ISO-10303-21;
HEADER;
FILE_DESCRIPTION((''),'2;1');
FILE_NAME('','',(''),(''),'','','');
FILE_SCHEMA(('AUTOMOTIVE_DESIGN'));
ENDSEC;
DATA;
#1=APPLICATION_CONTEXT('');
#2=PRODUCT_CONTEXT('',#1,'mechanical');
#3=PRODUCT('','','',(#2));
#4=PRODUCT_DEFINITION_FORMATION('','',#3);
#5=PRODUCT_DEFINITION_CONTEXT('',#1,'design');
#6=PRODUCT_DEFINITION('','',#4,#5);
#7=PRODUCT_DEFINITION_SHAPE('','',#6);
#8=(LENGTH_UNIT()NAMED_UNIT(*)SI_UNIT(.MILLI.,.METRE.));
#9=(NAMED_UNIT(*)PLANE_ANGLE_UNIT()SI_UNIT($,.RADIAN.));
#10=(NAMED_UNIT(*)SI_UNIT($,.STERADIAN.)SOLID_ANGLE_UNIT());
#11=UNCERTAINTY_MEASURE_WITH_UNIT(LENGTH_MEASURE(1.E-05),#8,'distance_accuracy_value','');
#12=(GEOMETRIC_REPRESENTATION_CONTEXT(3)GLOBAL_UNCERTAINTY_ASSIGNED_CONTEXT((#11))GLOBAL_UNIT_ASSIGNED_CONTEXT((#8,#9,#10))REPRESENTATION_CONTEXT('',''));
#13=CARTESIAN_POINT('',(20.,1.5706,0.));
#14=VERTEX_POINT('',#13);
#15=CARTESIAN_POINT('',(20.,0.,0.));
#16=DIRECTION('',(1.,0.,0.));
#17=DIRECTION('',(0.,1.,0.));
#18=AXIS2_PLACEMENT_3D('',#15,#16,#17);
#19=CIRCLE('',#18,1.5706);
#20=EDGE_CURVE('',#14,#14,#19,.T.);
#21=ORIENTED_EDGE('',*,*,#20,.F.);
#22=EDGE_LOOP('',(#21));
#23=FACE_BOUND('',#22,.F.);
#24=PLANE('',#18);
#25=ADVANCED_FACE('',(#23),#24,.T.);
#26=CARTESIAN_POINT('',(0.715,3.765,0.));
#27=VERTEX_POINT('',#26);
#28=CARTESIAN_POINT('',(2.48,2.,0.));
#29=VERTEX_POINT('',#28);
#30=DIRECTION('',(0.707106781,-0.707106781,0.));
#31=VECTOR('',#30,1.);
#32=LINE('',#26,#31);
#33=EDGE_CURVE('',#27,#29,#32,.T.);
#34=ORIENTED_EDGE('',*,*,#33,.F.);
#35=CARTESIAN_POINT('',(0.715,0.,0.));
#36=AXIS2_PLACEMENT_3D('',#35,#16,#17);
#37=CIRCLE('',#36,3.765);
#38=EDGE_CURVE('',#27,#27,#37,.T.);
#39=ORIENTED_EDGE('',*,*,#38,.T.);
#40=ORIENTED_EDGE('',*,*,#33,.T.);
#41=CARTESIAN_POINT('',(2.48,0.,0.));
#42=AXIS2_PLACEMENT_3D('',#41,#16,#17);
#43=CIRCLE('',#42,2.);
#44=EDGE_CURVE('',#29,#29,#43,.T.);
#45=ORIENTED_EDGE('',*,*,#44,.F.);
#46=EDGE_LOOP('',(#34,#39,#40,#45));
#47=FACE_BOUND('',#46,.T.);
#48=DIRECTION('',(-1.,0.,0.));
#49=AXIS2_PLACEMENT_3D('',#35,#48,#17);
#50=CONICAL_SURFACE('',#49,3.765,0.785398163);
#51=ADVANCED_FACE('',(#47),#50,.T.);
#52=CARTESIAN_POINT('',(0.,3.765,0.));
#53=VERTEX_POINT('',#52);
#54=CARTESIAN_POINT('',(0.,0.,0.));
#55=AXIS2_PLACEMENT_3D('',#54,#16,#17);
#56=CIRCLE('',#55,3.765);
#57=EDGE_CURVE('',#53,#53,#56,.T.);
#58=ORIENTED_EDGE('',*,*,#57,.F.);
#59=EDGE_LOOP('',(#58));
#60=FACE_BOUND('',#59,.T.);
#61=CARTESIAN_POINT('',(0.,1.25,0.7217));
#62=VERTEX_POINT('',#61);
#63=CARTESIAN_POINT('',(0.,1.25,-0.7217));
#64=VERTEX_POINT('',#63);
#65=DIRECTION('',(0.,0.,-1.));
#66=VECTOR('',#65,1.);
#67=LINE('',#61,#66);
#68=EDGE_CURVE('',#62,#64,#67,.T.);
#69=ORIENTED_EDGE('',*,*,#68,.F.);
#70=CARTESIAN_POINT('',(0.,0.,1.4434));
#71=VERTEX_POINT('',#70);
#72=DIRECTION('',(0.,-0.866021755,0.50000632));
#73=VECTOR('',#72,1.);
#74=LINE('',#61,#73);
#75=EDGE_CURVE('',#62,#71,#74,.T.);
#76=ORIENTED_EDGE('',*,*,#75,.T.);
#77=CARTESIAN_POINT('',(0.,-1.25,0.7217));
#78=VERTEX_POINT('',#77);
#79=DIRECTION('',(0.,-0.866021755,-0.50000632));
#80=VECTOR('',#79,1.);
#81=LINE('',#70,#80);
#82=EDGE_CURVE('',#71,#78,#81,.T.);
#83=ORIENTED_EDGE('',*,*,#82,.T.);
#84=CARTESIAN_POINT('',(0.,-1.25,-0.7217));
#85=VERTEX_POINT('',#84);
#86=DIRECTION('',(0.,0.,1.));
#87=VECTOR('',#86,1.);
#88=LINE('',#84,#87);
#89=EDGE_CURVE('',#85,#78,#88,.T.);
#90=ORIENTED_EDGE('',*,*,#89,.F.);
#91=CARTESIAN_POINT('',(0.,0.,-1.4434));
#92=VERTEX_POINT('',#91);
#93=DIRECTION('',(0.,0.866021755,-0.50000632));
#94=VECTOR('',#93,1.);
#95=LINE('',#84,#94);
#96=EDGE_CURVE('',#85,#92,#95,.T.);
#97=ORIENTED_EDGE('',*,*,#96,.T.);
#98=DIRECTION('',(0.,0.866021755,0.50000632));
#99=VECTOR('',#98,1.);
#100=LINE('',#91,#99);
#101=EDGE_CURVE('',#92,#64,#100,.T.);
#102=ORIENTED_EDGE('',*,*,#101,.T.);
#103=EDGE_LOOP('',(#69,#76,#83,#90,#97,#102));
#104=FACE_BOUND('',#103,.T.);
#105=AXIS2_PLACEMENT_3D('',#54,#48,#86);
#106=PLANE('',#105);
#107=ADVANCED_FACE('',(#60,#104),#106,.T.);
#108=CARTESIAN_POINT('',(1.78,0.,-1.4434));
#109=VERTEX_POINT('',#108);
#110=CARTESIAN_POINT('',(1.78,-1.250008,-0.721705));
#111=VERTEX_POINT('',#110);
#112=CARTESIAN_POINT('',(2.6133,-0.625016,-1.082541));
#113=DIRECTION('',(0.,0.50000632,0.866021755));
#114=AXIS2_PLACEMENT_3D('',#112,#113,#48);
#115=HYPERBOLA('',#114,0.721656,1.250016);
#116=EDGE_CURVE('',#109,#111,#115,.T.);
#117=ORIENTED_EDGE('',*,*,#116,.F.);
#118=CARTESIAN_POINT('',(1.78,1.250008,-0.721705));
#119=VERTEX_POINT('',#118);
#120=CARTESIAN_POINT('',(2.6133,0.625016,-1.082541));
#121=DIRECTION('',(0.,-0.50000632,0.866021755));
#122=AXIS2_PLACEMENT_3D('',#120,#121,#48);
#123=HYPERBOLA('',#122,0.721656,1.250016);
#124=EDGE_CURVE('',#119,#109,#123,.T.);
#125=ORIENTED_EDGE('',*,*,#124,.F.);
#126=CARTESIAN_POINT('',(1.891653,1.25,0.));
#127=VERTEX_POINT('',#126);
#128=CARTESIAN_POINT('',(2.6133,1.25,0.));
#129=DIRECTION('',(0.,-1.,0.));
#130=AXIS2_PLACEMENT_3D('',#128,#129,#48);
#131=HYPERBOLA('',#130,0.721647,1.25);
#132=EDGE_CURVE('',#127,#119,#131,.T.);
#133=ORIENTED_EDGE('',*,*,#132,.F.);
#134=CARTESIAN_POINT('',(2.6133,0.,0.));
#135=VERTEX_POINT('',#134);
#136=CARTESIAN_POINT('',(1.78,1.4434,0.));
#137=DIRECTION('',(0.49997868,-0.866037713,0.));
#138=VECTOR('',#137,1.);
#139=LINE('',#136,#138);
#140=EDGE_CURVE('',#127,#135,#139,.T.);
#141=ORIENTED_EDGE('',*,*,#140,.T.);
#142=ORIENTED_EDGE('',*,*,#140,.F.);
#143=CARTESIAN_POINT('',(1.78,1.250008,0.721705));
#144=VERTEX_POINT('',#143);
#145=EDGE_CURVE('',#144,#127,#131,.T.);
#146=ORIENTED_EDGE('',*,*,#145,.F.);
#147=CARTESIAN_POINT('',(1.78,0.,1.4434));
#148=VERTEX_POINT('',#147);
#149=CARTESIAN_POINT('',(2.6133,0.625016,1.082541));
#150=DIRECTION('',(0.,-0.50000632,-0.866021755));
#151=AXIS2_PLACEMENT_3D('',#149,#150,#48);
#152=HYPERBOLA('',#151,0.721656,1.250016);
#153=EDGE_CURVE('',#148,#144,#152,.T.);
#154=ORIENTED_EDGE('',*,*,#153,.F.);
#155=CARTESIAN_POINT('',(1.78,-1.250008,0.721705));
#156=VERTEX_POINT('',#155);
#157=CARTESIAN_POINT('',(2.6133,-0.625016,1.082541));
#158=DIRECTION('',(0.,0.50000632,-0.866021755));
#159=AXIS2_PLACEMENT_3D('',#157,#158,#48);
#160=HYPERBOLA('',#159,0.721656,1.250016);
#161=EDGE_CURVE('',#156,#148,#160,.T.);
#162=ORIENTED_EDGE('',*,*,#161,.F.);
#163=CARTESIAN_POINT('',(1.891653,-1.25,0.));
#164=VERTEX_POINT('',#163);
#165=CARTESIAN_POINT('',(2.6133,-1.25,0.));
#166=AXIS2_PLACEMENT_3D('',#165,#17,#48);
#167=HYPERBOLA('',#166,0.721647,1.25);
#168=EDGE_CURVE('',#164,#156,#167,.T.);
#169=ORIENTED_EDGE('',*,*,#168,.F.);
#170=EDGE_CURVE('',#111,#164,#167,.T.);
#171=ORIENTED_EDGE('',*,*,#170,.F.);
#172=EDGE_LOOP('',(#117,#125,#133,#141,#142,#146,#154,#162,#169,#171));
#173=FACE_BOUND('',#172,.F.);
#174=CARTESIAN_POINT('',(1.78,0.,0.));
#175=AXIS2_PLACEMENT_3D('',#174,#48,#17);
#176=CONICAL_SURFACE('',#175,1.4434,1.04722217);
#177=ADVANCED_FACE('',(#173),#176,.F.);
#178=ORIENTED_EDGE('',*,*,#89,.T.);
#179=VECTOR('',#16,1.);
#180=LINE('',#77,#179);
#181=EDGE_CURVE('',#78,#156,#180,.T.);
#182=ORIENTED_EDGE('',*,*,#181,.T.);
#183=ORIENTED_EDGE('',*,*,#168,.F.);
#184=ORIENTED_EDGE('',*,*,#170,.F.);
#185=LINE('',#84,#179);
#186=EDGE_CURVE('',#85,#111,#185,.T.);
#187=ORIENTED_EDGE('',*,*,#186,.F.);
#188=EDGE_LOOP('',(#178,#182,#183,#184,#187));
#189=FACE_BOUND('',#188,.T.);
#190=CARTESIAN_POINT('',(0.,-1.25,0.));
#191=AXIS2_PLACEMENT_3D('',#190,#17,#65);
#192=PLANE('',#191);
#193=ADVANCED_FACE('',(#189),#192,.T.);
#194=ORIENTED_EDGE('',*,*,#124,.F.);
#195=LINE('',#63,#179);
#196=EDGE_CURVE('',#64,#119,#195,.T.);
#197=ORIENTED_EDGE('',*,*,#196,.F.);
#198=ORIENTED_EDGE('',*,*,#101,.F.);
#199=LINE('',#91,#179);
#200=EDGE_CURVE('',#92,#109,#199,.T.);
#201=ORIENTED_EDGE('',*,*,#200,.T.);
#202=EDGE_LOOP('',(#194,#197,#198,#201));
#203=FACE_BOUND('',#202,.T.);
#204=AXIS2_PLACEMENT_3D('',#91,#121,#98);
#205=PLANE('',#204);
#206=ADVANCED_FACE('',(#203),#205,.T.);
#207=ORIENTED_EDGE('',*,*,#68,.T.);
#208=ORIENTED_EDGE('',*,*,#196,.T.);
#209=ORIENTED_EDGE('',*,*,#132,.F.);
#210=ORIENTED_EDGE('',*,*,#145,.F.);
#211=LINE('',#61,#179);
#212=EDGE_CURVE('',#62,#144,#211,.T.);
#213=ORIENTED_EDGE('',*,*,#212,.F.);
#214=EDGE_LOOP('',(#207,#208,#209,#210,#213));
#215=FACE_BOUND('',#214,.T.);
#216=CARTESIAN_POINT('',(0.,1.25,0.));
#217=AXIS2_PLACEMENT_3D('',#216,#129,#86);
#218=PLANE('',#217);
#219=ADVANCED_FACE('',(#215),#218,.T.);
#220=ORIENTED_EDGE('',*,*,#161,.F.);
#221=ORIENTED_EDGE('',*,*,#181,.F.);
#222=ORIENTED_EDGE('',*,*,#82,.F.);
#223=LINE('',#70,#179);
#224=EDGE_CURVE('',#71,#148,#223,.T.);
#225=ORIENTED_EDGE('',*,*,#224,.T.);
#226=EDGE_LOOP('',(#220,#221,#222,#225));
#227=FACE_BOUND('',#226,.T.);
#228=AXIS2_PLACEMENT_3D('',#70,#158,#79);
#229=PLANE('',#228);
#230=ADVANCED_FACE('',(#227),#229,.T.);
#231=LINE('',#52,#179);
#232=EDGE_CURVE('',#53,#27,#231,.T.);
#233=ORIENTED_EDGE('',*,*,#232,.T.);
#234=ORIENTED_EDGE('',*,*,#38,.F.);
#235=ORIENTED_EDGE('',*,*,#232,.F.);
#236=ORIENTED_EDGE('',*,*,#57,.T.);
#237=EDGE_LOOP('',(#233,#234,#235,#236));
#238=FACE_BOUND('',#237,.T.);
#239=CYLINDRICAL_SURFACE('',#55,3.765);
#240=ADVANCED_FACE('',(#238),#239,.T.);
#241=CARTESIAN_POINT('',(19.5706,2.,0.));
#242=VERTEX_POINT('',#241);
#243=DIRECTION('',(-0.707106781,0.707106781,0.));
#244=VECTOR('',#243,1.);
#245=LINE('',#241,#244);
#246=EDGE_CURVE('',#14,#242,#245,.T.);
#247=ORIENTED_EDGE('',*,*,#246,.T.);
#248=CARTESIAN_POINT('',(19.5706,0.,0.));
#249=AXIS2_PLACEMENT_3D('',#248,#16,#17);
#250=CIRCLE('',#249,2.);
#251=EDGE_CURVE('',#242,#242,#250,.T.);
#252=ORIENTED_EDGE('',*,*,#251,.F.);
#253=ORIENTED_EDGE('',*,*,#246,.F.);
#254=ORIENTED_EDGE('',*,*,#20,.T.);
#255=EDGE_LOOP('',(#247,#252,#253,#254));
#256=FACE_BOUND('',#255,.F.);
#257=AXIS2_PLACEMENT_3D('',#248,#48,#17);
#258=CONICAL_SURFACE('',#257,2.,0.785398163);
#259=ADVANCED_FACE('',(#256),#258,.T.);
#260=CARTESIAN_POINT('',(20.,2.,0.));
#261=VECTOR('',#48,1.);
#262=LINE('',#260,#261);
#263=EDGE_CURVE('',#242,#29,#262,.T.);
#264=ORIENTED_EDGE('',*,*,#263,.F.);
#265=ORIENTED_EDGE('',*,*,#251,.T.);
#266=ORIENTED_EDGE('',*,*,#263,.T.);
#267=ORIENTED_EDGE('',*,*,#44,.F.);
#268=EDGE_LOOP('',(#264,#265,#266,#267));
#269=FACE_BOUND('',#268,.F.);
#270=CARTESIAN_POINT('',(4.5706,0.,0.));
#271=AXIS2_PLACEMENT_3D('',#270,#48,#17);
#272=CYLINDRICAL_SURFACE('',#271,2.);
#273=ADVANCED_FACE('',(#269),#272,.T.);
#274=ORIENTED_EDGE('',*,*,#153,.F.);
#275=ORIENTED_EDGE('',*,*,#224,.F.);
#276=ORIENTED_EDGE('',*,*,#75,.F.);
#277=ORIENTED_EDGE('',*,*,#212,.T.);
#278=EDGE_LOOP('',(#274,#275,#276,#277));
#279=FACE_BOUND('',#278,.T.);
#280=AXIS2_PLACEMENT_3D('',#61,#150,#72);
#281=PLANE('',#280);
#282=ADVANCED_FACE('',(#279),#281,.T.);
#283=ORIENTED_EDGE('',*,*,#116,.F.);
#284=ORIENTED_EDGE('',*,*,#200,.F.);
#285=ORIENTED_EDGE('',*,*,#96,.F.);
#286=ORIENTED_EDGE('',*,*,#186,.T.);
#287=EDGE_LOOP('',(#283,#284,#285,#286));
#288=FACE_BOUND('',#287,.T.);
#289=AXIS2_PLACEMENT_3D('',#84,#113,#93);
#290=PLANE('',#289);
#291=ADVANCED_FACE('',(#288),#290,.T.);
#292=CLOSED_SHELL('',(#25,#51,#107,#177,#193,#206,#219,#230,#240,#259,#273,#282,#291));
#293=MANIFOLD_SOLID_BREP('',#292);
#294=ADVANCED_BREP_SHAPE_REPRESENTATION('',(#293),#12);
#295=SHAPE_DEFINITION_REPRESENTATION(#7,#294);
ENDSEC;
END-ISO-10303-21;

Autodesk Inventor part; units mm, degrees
ref_plane "YZ Plane" through (0, 0, 0) normal (1, 0, 0) x (0, 1, 0)
ref_plane "XZ Plane" through (0, 0, 0) normal (0, 1, 0) x (-1, 0, 0)
sketch "Sketch1" plane through (0, 0, 0) normal (0, 0, 1) x (1, 0, 0)
  line L0 (20, 0) -> (20, 2)
  line L1 (20, 2) -> (5, 2)
  line L2 (5, 2) -> (4.5706, 2)
  line L3 (0, 3.765) -> (0, 1.4434)
  line L4 (0, 1.4434) -> (1.78, 1.4434)
  line L5 (1.78, 1.4434) -> (2.6133, 0)
  line L6 (2.6133, 0) -> (20, 0)
  line L7 (0, 3.765) -> (0.715, 3.765)
  line L8 (0.715, 3.765) -> (2.48, 2)
  line L9 (4.5706, 2) -> (2.48, 2)
  line L10 (5, 2) -> (2.48, 2) construction
  line L11 (2.48, 2) -> (2.48, 2)
  line L12 (-4, 0) -> (24, 0) projected
  line L13 (0, -0.753) -> (0, 4.518) projected
  dimension "d0" = 20
  dimension "d1" = 15
  dimension "d2" = 1.78
  dimension "d3" = 4
  dimension "d6" = 2.48
  dimension "d7" = 45
  dimension "d8" = 2.8868
  dimension "d9" = 60
  dimension "d10" = 7.53
  dimension "d11" = 4
  dimension "d12" = 0.4294
revolve "Body" add sketch "Sketch1" angle 360 about axis through (2.6133, 0, 0) along (1, 0, 0) contours L6 L5 L4 L3 L7 L8 L9 L2 L1 L0
sketch "Sketch2" plane through (0, 0, 0) normal (-1, 0, 0) x (0, 0, 1)
  circle A0 centre (0, 0) radius 1.4434 projected
  line L0 (0, -5.271) -> (0, 5.271) projected
  line L1 (-5.271, 0) -> (5.271, 0) projected
  line L2 (1.4434, 0) -> (0.7217, -1.25)
  line L3 (0.7217, -1.25) -> (-0.7217, -1.25)
  line L4 (-0.7217, -1.25) -> (-1.4434, 0)
  line L5 (-1.4434, 0) -> (-0.7217, 1.25)
  line L6 (-0.7217, 1.25) -> (0.7217, 1.25)
  line L7 (0.7217, 1.25) -> (1.4434, 0)
  point P0 (0, 1.4434)
extrude "Slot" add sketch "Sketch2" against normal up to next contours L7 A0 | A0 L2 | L6 L0 A0 | A0 L0 L3 | L0 L6 A0 | A0 L3 L0 | L4 A0 | A0 L5
thread "Thread" size "M4x0.7" class "6g" standard "ISO Metric profile" length 15
chamfer "Chamfer1" distance 0.4294 distance2 0.4294 1 edges at (20, -2, 0) measured on face at (20, -0.7974, -0.7684)
ref_plane "Work Plane1" through (104.775, 0, 0) normal (0, 0, -1) x (1, 0, 0)
equation "\"d0\" = NLG"
equation "\"d1\" = GEL"
equation "\"d2\" = INTI"
equation "\"d3\" = GD"
equation "\"d6\" = KOH"
equation "\"d7\" = 0.5 * SEWI"
equation "\"d8\" = 1.1547 * SW"
equation "\"d10\" = KOD"
equation "\"d11\" = BDM"
equation "\"d12\" = GAL"
equation "\"d15\" = GEL"
equation "\"d17\" = -0.5 * SPD + 0.5 * GD"
equation "\"d18\" = GUL"
equation "\"NLG\" = 20"
equation "\"INTI\" = 1.78"
equation "\"GEL\" = 15"
equation "\"GAL\" = 0.61345 * PTC"
equation "\"KOH\" = 2.48"
equation "\"KOD\" = 7.53"
equation "\"GUL\" = 0.61345 * PTC"
equation "\"SPD\" = NND - 1.2269 * PTC"
equation "\"BDM\" = NND"
equation "\"GD\" = NND"
equation "\"SEWI\" = 90deg"
equation "\"SW\" = 2.5"
equation "\"TOA\" = 30deg"
equation "\"GD1\" = THREADDIA - 1.2269 * PTC"
equation "\"EPV\" = 4.48"
equation "\"THREADDIA\" = 4"
equation "\"PTC\" = 0.7"
equation "\"NND\" = 4"
equation "\"E0\" = 2.89"
equation "\"THREADDESC\" = 1.2345"
properties part number "451233010040020" material "Stainless Steel"
